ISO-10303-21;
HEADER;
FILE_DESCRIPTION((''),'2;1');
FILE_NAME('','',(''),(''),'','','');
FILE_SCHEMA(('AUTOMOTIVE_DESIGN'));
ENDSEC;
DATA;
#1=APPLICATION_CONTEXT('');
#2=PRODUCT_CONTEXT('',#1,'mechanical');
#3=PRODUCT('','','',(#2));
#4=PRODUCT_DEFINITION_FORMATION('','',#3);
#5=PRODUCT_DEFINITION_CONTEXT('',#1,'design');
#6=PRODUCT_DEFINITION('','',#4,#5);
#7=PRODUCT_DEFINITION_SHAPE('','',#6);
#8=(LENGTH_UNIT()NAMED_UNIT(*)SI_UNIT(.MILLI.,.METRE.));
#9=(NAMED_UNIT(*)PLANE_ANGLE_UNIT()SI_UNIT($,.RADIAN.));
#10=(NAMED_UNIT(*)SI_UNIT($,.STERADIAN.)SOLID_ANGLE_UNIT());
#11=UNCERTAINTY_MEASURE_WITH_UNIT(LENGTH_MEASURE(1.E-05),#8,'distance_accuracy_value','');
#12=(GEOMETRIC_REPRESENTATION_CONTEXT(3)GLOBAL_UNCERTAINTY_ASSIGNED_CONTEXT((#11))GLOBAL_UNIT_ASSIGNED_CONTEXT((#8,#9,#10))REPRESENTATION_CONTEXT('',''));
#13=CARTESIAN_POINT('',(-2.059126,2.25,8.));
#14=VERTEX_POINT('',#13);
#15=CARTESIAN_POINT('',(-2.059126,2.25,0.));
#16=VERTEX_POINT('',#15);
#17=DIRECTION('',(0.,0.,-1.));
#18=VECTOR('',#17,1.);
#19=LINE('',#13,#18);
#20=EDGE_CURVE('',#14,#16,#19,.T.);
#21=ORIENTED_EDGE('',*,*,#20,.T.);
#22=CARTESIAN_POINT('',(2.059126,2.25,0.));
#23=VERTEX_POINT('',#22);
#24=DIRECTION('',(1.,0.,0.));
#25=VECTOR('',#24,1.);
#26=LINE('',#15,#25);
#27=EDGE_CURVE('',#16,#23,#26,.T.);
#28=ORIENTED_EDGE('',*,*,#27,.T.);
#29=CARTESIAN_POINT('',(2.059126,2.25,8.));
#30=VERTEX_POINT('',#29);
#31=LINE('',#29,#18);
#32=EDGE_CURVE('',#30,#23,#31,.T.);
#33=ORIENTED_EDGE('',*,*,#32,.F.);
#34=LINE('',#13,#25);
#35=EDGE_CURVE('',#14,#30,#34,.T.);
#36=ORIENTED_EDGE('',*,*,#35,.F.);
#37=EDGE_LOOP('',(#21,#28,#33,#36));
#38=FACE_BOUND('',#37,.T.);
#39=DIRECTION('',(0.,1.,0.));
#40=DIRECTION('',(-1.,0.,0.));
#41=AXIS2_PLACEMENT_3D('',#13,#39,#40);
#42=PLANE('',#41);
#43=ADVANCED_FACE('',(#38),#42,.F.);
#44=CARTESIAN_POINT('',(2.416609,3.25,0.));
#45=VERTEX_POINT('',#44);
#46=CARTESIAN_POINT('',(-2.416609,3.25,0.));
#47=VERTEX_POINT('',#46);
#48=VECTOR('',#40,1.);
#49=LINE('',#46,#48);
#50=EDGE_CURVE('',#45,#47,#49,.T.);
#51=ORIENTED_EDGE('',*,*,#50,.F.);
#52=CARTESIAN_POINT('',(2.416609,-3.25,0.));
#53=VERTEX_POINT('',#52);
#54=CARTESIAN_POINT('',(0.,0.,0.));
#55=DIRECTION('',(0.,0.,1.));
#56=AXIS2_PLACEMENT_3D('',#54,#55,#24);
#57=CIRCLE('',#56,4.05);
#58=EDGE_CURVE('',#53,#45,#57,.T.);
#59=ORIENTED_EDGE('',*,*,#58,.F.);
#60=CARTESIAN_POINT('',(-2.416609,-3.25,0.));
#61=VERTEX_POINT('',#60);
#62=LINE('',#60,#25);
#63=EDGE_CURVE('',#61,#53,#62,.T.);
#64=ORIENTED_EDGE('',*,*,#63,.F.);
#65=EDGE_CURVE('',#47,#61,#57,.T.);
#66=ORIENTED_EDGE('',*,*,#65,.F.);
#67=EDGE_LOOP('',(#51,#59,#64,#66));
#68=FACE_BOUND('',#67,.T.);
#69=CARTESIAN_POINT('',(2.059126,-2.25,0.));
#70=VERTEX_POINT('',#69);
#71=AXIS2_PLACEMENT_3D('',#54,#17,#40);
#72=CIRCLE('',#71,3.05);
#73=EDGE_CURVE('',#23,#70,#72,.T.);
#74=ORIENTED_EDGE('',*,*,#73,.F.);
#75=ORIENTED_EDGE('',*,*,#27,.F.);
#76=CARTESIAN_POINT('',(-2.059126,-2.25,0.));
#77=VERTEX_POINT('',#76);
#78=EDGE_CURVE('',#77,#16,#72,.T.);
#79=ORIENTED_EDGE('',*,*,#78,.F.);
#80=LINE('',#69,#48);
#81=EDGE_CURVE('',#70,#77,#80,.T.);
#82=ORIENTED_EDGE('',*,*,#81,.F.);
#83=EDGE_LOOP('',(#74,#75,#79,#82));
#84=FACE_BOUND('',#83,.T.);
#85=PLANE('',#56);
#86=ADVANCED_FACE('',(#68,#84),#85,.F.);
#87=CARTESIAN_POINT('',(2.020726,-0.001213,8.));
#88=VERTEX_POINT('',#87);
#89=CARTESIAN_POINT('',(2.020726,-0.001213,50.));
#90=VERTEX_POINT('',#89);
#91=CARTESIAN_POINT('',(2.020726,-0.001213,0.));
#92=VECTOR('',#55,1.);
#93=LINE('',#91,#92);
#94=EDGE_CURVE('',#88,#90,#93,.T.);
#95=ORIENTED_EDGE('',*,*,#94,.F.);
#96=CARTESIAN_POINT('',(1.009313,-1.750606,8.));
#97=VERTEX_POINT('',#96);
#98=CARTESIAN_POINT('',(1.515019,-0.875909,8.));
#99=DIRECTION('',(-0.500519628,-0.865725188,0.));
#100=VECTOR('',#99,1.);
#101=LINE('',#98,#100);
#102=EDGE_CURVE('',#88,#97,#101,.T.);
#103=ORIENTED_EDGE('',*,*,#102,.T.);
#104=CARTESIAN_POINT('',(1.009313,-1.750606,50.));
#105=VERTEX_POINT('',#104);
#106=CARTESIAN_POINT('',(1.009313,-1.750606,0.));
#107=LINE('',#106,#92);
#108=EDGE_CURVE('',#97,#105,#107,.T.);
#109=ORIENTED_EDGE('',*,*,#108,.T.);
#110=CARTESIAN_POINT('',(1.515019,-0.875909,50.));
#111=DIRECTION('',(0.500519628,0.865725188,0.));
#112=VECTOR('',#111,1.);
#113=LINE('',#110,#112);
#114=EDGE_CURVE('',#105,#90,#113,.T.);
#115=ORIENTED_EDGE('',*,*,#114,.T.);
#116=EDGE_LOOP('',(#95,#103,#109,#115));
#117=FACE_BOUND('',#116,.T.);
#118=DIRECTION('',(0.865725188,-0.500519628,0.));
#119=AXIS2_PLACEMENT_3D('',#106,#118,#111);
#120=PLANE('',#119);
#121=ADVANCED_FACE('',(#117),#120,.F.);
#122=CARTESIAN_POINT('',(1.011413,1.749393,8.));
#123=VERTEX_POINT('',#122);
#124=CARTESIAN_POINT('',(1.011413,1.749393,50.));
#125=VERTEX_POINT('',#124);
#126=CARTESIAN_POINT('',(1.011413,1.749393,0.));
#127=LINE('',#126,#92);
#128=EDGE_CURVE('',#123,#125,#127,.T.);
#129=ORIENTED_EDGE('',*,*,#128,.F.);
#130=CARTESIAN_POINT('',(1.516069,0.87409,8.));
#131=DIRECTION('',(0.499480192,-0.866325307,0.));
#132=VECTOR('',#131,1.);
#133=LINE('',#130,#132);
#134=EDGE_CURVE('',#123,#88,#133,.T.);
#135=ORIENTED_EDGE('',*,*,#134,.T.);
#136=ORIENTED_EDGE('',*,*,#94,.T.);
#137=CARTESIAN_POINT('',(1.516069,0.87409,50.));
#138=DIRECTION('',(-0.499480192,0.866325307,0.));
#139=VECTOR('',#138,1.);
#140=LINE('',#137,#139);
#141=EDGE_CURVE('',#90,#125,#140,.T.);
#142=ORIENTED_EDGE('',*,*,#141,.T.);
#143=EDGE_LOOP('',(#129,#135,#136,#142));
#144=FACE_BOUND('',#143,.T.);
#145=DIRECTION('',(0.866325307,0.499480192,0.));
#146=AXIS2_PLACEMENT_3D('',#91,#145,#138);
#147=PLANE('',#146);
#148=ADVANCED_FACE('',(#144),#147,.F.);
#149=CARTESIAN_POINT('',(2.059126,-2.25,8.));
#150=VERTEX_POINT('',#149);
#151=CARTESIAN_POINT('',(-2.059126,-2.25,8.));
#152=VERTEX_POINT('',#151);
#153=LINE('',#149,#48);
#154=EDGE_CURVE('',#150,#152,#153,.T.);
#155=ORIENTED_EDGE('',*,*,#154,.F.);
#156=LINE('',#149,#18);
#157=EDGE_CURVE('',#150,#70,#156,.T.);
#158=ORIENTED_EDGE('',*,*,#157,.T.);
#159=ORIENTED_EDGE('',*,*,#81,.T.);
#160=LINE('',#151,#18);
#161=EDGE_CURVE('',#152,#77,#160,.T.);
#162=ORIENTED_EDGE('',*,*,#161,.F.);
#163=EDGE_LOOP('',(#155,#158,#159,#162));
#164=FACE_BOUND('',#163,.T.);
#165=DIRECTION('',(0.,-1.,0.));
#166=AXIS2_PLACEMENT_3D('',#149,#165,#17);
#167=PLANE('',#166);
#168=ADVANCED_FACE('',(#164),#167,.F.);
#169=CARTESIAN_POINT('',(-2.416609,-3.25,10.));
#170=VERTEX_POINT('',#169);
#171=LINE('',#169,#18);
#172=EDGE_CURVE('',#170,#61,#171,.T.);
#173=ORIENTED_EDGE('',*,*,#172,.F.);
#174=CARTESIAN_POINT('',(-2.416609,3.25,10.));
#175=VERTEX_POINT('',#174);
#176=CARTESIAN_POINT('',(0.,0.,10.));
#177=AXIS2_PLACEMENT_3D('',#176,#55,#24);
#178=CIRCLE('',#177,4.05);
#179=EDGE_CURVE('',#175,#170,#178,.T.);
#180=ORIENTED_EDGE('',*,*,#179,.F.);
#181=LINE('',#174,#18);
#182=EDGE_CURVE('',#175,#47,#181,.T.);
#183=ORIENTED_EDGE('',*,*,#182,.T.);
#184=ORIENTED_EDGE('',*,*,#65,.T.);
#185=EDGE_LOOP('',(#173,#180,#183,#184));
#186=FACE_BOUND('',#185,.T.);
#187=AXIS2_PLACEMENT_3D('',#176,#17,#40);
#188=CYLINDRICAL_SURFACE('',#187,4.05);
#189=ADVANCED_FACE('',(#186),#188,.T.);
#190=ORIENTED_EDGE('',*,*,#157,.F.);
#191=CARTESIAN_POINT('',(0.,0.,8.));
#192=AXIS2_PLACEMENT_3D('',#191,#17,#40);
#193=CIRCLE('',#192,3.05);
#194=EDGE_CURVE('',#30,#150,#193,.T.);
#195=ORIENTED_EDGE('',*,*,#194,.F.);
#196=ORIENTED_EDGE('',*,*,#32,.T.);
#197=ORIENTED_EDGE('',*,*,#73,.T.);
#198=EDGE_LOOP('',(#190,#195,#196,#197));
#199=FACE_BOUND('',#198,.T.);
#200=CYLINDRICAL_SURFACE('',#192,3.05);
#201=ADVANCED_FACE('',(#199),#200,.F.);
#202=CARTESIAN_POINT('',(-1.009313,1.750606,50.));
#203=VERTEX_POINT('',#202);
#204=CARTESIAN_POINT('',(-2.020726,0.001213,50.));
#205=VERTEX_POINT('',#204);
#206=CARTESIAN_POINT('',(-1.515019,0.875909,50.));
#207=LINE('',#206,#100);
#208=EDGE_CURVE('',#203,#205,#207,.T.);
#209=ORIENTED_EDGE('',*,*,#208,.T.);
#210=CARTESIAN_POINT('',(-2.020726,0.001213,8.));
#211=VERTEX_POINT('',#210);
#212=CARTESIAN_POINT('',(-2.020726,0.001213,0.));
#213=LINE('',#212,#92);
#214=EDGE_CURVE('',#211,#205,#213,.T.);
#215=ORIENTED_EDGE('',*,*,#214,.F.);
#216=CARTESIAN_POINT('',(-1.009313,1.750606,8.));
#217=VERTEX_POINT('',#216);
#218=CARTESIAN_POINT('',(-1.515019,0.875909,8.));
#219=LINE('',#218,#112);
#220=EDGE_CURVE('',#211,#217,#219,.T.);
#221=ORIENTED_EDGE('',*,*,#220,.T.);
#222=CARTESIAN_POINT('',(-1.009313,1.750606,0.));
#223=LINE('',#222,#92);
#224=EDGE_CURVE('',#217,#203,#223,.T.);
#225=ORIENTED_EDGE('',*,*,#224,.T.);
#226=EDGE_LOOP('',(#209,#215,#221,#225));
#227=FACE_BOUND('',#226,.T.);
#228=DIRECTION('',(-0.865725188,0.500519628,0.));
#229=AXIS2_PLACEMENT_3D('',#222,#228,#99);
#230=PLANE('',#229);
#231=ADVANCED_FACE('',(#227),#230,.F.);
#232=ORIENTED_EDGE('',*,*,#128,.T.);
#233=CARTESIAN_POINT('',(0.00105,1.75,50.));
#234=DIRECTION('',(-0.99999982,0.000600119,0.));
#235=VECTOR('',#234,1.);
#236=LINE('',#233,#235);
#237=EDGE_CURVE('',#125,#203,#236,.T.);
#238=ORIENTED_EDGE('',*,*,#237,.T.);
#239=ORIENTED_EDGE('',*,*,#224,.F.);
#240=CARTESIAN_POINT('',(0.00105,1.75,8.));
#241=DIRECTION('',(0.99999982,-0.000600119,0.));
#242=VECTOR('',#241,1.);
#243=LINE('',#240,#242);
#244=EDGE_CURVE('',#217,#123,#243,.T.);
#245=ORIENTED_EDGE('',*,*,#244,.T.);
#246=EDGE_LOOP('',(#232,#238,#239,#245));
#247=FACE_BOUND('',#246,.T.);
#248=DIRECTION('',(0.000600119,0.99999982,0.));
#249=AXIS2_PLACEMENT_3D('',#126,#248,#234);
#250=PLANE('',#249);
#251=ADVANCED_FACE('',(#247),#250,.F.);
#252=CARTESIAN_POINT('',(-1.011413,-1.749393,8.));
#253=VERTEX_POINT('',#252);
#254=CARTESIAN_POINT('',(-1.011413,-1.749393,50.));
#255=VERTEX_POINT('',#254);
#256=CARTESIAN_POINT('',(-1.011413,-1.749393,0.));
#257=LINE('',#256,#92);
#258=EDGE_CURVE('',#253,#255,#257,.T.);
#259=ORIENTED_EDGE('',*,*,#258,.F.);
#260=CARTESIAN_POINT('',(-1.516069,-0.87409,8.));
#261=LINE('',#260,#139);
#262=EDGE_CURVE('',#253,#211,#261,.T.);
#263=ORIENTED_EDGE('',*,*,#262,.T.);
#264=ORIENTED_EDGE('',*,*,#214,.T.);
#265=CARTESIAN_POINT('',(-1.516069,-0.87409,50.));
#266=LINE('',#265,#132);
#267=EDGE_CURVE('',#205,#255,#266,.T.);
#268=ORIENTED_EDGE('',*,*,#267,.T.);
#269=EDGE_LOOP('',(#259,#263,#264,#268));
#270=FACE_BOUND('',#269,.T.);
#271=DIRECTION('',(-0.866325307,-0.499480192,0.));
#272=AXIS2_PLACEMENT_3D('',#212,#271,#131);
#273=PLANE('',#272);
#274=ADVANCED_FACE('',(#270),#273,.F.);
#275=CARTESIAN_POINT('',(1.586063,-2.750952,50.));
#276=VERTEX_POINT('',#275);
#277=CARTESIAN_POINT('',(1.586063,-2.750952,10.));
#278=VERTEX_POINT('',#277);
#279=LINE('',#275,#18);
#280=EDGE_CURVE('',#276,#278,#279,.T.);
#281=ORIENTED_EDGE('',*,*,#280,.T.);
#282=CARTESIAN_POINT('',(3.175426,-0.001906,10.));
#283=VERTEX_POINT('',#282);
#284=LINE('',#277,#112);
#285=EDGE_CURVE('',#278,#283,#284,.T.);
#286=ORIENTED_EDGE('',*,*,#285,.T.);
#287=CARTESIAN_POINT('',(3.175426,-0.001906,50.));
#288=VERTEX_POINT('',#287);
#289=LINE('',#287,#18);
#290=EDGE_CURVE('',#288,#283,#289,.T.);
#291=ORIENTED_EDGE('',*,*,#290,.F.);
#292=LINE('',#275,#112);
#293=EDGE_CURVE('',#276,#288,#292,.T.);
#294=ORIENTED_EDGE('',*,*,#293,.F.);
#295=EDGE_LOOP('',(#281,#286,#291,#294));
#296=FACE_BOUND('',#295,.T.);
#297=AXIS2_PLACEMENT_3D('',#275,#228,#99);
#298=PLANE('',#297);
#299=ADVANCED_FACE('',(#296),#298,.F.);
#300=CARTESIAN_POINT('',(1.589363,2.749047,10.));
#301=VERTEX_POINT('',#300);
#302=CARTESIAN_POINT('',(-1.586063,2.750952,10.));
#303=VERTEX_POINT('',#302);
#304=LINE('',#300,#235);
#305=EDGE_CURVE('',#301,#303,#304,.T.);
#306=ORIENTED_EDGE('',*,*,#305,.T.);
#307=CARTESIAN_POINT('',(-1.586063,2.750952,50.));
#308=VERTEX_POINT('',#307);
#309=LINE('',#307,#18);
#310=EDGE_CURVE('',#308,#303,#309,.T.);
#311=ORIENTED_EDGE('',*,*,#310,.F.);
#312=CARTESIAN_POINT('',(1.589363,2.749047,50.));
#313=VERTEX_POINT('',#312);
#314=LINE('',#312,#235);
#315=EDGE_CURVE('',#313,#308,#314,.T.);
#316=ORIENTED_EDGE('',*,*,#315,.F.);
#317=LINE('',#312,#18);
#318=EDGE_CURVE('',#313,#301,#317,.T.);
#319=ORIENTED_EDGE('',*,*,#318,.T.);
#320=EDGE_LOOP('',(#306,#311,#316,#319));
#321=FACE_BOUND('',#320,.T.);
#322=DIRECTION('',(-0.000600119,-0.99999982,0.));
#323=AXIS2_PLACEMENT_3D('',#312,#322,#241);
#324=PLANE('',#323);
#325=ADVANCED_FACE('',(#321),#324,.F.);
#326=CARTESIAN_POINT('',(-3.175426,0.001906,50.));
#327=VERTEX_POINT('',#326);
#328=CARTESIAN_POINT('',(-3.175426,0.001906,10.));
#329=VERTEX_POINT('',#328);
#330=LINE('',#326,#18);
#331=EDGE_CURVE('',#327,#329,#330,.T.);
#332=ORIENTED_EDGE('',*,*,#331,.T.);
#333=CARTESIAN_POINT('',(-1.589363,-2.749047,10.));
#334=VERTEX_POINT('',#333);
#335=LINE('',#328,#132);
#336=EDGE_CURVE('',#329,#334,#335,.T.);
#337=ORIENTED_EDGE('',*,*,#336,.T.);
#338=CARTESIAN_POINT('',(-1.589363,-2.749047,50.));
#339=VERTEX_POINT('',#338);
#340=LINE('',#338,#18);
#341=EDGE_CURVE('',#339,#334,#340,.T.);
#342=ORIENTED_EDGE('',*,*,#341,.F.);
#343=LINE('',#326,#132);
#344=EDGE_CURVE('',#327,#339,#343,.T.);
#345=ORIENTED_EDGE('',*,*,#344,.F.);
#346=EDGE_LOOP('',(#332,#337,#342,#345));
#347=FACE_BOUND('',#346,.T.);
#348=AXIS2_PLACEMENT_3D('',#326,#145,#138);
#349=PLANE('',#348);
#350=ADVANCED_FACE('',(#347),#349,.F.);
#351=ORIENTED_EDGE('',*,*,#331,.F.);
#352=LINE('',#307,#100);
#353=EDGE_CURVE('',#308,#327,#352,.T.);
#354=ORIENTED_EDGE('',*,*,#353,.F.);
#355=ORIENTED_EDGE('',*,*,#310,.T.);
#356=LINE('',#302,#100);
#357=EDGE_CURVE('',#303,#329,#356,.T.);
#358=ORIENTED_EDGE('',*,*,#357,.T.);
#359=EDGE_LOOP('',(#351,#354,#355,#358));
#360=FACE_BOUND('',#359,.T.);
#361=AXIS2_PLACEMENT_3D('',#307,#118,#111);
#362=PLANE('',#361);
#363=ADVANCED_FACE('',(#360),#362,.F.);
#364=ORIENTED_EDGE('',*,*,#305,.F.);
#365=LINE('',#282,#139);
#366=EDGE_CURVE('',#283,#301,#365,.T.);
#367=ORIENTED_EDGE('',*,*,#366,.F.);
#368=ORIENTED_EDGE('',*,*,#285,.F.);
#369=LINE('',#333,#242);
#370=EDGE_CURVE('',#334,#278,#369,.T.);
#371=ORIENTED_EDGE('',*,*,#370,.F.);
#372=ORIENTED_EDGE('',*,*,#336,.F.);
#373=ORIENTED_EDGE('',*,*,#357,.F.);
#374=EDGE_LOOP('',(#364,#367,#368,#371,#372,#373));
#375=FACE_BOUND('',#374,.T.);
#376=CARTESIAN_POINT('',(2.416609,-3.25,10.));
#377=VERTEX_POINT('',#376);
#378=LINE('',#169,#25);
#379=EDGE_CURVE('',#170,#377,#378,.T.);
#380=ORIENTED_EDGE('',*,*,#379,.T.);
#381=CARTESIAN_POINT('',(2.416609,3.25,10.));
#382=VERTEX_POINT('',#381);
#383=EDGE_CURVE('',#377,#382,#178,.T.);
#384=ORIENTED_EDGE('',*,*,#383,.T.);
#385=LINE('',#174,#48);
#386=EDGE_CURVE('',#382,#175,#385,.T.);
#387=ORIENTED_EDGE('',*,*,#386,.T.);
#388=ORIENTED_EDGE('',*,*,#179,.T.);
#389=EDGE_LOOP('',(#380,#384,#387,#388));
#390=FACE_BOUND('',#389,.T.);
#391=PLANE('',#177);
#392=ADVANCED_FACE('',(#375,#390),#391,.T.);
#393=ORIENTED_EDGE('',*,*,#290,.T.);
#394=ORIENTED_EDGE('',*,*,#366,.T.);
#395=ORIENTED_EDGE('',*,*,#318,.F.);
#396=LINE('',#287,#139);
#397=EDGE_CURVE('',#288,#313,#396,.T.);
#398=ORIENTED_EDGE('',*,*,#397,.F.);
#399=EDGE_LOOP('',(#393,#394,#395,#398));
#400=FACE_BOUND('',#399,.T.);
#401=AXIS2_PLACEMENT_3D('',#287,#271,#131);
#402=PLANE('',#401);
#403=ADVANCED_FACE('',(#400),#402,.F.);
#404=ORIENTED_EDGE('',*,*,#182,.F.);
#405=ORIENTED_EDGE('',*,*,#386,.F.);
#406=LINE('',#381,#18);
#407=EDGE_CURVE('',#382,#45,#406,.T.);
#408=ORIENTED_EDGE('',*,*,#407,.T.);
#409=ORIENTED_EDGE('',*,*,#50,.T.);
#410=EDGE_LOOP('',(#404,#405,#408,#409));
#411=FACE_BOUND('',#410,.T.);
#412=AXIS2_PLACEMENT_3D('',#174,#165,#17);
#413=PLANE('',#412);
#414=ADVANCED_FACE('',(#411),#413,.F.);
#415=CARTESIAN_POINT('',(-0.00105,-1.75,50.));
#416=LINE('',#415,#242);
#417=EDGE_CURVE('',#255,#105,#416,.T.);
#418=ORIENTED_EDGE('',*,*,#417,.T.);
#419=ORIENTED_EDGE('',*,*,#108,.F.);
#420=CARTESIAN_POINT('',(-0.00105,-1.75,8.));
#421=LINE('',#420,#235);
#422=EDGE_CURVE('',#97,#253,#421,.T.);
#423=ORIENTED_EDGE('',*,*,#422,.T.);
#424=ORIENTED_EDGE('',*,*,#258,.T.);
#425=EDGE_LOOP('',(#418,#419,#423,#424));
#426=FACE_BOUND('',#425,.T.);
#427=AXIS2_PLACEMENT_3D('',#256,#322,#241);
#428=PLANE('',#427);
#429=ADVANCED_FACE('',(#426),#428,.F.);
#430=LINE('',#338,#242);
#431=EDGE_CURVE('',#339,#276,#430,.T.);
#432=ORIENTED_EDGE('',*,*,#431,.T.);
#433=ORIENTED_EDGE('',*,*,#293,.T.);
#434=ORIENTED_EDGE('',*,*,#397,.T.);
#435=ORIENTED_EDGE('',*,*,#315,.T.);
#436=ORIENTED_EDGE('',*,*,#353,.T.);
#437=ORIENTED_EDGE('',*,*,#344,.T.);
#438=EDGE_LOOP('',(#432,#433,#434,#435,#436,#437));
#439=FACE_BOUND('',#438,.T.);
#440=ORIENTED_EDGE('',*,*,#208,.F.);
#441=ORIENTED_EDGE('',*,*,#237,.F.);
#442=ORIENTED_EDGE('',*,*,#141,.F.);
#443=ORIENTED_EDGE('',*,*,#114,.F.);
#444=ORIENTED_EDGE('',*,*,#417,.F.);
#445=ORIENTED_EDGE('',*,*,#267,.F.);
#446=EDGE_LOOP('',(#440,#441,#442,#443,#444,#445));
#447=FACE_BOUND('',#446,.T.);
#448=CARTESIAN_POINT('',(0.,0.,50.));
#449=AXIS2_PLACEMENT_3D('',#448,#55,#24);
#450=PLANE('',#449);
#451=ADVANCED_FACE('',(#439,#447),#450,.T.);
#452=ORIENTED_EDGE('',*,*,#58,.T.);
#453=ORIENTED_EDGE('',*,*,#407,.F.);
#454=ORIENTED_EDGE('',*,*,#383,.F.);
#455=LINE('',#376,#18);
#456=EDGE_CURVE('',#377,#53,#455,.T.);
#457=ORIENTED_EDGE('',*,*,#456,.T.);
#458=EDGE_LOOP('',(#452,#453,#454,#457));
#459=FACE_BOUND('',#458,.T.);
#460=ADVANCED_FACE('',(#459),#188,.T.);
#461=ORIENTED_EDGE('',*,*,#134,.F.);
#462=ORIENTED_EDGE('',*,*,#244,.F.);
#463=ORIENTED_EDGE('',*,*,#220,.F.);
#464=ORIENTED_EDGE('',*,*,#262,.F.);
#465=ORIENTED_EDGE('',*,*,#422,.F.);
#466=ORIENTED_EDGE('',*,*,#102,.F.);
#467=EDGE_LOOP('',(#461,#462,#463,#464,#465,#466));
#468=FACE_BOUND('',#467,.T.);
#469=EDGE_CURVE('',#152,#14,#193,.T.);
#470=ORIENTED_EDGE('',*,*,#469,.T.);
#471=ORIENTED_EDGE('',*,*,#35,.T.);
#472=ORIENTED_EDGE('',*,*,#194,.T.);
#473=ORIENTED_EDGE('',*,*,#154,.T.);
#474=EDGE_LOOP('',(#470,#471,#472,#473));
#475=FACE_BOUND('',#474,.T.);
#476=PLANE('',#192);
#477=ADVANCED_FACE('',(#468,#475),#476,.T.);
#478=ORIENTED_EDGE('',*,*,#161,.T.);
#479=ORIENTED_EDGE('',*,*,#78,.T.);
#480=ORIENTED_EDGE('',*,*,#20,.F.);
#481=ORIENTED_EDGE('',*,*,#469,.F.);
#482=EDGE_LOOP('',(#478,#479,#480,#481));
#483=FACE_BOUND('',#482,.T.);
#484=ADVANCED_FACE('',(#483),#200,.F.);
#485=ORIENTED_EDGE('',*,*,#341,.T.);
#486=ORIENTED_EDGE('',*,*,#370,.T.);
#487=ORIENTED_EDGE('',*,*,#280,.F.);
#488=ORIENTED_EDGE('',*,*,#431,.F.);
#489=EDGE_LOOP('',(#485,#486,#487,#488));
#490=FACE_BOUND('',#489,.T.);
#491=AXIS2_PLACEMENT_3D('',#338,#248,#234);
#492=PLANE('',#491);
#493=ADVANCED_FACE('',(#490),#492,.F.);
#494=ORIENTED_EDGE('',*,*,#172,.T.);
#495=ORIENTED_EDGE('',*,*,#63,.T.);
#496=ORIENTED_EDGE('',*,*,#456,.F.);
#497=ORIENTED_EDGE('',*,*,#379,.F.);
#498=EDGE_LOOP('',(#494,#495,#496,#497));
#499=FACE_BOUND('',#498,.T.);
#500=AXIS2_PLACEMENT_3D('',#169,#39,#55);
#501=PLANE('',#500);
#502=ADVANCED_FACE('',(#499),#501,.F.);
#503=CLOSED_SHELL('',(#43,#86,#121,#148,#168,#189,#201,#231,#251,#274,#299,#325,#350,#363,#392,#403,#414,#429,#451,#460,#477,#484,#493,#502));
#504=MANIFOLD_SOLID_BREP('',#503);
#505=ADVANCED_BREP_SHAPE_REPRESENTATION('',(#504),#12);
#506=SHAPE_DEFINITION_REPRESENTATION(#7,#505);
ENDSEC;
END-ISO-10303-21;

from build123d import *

# Parameters (mm, degrees)
BOSS_EXTRUDE2_DEPTH     = 10
CUT_EXTRUDE2_DEPTH      = 8
BOSS_EXTRUDE3_DEPTH     = 40
CUT_EXTRUDE3_DEPTH      = 51.268926784
CUT_EXTRUDE3_DEPTH_BACK = 51.268926784


with BuildPart() as part:
    # Sketch1 → Boss-Extrude2 (new body)
    with BuildSketch(Plane.XY):
        with BuildLine():
            Line((-2.416609195, 3.25), (2.416609195, 3.25))
            ThreePointArc((2.416609195, 3.25), (4.05, 0), (2.416609195, -3.25))
            Line((2.416609195, -3.25), (-2.416609195, -3.25))
            ThreePointArc((-2.416609195, -3.25), (-4.05, 0), (-2.416609195, 3.25))
        make_face()
    extrude(amount=BOSS_EXTRUDE2_DEPTH)

    # Sketch3 → Cut-Extrude2 (cut)
    with BuildSketch(Plane(origin=(0, 0, 0), x_dir=(-1, 0, 0), z_dir=(0, 0, -1))):
        with BuildLine():
            Line((2.059126028, 2.25), (-2.059126028, 2.25))
            ThreePointArc((-2.059126028, 2.25), (-3.05, 0), (-2.059126028, -2.25))
            Line((-2.059126028, -2.25), (2.059126028, -2.25))
            ThreePointArc((2.059126028, -2.25), (3.05, 0), (2.059126028, 2.25))
        make_face()
    extrude(amount=-CUT_EXTRUDE2_DEPTH, mode=Mode.SUBTRACT)

    # Sketch4 → Boss-Extrude3 (add)
    with BuildSketch(Plane.XY.offset(10)):
        Polygon((1.586062627, -2.750952322), (3.175425909, -0.001905634), (1.589363281, 2.749046688), (-1.586062627, 2.750952322), (-3.175425909, 0.001905634), (-1.589363281, -2.749046688), align=None)
    extrude(amount=BOSS_EXTRUDE3_DEPTH)

    # Sketch5 → Cut-Extrude3 (cut, two sides: drawn at the far end of the back side and taken through both)
    with BuildSketch(Plane.XY.offset(50).offset(-CUT_EXTRUDE3_DEPTH_BACK)):
        Polygon((-1.011412997, -1.749393347), (1.009312581, -1.750606023), (2.020725578, -0.001212676), (1.011412997, 1.749393347), (-1.009312581, 1.750606023), (-2.020725578, 0.001212676), align=None)
    extrude(amount=CUT_EXTRUDE3_DEPTH + CUT_EXTRUDE3_DEPTH_BACK, mode=Mode.SUBTRACT)


solid = part.part
